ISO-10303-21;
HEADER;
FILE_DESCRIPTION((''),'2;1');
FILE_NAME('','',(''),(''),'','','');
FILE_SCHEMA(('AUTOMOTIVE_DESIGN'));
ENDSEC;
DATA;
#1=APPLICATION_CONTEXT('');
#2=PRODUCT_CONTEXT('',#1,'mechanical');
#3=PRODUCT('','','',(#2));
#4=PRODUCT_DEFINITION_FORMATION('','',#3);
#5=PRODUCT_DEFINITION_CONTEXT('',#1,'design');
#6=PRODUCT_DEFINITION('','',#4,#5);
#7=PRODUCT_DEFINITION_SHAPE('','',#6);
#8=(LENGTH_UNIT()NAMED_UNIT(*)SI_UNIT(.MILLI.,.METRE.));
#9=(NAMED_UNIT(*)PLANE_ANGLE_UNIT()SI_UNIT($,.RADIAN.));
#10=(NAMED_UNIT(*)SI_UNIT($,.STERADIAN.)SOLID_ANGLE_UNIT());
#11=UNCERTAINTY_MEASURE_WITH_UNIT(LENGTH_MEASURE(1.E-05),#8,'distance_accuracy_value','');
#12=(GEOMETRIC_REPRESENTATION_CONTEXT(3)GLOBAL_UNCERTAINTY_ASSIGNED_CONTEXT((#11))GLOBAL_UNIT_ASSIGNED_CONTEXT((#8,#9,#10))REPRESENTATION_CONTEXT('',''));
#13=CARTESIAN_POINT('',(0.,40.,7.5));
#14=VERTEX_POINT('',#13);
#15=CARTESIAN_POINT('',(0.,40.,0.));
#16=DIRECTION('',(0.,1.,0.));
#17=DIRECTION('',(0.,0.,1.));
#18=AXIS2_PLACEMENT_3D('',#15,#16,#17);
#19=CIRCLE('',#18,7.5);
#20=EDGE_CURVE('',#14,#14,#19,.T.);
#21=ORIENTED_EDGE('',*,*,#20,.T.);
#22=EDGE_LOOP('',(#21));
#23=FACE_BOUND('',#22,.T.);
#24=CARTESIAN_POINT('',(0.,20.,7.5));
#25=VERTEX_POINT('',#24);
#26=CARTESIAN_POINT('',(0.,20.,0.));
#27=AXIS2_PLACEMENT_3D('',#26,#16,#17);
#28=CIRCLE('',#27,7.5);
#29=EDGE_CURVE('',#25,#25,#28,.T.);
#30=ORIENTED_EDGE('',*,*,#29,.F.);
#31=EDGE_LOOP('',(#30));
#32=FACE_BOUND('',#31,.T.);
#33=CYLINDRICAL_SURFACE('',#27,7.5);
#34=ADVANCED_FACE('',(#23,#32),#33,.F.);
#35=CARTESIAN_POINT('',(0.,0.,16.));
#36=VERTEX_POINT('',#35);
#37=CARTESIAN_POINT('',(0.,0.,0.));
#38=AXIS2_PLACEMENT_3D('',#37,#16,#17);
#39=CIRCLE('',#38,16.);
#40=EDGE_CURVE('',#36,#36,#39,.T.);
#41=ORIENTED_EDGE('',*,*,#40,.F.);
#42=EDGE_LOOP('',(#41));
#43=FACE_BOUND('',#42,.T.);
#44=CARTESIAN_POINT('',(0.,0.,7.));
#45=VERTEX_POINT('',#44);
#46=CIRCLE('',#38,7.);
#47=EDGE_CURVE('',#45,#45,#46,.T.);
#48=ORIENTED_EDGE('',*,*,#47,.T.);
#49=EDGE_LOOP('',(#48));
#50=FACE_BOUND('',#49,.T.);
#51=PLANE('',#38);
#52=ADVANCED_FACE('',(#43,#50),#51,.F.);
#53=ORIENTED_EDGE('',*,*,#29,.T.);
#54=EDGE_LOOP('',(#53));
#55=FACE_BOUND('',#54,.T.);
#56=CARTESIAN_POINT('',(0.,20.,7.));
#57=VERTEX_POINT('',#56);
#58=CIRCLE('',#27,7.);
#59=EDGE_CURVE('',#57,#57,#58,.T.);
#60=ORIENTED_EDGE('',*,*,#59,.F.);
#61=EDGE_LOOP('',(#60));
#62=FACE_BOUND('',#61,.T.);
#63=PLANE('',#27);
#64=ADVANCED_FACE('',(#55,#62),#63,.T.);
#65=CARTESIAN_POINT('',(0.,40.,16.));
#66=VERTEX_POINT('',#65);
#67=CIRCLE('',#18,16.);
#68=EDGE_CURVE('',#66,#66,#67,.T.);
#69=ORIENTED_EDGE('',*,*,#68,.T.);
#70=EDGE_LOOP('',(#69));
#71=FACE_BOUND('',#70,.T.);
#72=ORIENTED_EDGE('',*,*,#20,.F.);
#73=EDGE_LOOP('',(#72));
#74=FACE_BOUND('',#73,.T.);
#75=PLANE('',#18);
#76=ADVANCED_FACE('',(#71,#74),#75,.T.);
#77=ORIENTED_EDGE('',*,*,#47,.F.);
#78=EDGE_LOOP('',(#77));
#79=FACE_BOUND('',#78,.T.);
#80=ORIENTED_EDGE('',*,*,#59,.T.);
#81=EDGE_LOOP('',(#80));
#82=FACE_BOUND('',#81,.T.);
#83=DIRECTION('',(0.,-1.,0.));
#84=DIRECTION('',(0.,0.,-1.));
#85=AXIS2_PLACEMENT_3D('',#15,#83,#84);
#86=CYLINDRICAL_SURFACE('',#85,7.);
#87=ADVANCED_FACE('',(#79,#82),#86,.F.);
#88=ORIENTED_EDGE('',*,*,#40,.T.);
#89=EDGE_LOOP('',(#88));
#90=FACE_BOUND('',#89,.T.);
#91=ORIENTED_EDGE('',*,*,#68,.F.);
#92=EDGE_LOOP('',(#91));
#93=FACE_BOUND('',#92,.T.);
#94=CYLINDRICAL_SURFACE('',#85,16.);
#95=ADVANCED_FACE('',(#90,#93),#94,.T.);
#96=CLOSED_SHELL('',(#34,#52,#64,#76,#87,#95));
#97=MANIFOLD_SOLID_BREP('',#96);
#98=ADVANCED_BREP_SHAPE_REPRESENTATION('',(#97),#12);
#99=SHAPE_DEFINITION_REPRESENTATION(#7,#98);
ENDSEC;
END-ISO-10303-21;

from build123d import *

# Parameters (mm, degrees)
SKETCH_1_R          = 16
SKETCH_1_R_2        = 7
EXTRUDE_1_DEPTH     = 40
SKETCH_3_R          = 7.5
CUT_EXTRUDE_1_DEPTH = 20


with BuildPart() as part:
    # 草图1 → 凸台-拉伸1 (new body)
    with BuildSketch(Plane(origin=(0, 0, 0), x_dir=(1, 0, 0), z_dir=(0, 1, 0))):
        Circle(SKETCH_1_R)
        Circle(SKETCH_1_R_2, mode=Mode.SUBTRACT)
    extrude(amount=EXTRUDE_1_DEPTH)

    # 草图3 → 切除-拉伸1 (cut)
    with BuildSketch(Plane(origin=(0, 40, 0), x_dir=(1, 0, 0), z_dir=(0, 1, 0))):
        Circle(SKETCH_3_R)
    extrude(amount=-CUT_EXTRUDE_1_DEPTH, mode=Mode.SUBTRACT)


solid = part.part
